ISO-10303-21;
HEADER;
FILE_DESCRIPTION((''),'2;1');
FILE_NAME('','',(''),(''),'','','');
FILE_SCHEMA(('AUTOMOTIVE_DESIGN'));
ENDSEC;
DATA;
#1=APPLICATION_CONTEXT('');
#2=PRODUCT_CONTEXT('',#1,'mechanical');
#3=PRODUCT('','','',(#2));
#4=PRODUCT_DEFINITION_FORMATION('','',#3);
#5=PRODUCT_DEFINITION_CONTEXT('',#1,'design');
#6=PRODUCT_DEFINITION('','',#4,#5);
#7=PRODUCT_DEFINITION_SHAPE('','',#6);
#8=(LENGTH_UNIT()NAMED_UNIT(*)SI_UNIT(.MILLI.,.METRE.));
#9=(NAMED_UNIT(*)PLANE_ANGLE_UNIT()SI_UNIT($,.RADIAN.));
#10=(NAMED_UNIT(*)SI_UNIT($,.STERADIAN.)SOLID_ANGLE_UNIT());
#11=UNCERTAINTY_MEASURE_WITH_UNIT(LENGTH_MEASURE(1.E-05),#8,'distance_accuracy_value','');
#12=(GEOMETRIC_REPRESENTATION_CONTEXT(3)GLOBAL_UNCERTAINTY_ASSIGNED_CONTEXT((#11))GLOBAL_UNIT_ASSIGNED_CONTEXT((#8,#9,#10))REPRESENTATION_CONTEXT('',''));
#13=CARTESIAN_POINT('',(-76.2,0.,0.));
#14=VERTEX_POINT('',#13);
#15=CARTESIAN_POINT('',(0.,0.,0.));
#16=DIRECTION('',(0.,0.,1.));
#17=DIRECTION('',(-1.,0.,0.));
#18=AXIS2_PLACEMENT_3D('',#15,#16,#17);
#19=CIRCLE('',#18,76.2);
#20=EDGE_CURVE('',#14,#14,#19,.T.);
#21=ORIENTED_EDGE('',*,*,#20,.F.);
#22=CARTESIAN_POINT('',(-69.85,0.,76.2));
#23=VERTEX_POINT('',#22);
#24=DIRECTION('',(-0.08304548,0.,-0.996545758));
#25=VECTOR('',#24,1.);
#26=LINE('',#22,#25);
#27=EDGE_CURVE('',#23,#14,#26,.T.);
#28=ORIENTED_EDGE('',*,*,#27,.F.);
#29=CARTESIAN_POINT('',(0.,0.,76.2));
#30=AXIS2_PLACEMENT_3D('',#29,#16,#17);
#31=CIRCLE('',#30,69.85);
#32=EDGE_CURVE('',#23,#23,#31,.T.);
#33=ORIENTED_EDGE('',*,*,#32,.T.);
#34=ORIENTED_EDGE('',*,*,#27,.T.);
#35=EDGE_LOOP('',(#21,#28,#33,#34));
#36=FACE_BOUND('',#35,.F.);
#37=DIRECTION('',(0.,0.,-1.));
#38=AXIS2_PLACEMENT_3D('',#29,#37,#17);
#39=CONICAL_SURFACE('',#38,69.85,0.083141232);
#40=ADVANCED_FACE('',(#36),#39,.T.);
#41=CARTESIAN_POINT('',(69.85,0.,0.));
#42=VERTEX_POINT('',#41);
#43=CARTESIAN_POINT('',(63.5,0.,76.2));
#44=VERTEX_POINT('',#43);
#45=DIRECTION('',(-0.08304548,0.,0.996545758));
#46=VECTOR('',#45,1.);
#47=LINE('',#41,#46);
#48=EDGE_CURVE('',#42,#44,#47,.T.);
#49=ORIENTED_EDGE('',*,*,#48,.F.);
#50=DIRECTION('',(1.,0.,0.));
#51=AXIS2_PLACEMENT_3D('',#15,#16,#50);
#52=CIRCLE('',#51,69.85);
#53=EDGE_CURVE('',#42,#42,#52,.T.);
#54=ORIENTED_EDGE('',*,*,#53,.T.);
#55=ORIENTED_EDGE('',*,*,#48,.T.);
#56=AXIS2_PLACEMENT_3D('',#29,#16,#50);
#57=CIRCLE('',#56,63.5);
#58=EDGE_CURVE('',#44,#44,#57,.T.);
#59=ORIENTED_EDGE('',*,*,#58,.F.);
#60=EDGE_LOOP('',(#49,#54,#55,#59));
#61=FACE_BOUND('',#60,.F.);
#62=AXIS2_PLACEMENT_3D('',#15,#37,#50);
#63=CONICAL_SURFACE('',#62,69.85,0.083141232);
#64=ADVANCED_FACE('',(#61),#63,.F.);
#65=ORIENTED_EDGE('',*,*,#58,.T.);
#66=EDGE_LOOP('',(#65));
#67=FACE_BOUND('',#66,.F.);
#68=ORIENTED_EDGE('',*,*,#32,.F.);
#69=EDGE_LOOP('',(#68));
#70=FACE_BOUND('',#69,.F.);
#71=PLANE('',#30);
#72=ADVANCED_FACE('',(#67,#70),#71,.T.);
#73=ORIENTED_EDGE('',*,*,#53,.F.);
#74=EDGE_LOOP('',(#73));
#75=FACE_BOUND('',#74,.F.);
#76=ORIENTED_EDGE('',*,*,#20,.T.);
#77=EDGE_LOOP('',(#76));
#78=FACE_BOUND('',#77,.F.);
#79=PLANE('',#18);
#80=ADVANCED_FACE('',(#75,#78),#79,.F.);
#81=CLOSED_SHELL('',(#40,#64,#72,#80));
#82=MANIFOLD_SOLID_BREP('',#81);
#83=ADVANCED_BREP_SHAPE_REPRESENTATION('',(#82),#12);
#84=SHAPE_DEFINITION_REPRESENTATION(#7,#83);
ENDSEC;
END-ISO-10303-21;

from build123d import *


with BuildPart() as f1:
    # F0 (on Front) → F1 (revolve)
    with BuildSketch(Plane.XZ):
        Polygon((-76.2, 0), (0, 0), (0, 76.2), (-69.85, 76.2), align=None)
    revolve(axis=Axis((0, 0, 38.1), (0, 0, 1)))

    # F2 (on Front) → F3 (revolve, cut)
    with BuildSketch(Plane.XZ):
        Polygon((0, 76.2), (0, 0), (69.85, 0), (63.5, 76.2), align=None)
    revolve(axis=Axis((0, 0, 38.1), (0, 0, 1)), mode=Mode.SUBTRACT)


solid = f1.part
